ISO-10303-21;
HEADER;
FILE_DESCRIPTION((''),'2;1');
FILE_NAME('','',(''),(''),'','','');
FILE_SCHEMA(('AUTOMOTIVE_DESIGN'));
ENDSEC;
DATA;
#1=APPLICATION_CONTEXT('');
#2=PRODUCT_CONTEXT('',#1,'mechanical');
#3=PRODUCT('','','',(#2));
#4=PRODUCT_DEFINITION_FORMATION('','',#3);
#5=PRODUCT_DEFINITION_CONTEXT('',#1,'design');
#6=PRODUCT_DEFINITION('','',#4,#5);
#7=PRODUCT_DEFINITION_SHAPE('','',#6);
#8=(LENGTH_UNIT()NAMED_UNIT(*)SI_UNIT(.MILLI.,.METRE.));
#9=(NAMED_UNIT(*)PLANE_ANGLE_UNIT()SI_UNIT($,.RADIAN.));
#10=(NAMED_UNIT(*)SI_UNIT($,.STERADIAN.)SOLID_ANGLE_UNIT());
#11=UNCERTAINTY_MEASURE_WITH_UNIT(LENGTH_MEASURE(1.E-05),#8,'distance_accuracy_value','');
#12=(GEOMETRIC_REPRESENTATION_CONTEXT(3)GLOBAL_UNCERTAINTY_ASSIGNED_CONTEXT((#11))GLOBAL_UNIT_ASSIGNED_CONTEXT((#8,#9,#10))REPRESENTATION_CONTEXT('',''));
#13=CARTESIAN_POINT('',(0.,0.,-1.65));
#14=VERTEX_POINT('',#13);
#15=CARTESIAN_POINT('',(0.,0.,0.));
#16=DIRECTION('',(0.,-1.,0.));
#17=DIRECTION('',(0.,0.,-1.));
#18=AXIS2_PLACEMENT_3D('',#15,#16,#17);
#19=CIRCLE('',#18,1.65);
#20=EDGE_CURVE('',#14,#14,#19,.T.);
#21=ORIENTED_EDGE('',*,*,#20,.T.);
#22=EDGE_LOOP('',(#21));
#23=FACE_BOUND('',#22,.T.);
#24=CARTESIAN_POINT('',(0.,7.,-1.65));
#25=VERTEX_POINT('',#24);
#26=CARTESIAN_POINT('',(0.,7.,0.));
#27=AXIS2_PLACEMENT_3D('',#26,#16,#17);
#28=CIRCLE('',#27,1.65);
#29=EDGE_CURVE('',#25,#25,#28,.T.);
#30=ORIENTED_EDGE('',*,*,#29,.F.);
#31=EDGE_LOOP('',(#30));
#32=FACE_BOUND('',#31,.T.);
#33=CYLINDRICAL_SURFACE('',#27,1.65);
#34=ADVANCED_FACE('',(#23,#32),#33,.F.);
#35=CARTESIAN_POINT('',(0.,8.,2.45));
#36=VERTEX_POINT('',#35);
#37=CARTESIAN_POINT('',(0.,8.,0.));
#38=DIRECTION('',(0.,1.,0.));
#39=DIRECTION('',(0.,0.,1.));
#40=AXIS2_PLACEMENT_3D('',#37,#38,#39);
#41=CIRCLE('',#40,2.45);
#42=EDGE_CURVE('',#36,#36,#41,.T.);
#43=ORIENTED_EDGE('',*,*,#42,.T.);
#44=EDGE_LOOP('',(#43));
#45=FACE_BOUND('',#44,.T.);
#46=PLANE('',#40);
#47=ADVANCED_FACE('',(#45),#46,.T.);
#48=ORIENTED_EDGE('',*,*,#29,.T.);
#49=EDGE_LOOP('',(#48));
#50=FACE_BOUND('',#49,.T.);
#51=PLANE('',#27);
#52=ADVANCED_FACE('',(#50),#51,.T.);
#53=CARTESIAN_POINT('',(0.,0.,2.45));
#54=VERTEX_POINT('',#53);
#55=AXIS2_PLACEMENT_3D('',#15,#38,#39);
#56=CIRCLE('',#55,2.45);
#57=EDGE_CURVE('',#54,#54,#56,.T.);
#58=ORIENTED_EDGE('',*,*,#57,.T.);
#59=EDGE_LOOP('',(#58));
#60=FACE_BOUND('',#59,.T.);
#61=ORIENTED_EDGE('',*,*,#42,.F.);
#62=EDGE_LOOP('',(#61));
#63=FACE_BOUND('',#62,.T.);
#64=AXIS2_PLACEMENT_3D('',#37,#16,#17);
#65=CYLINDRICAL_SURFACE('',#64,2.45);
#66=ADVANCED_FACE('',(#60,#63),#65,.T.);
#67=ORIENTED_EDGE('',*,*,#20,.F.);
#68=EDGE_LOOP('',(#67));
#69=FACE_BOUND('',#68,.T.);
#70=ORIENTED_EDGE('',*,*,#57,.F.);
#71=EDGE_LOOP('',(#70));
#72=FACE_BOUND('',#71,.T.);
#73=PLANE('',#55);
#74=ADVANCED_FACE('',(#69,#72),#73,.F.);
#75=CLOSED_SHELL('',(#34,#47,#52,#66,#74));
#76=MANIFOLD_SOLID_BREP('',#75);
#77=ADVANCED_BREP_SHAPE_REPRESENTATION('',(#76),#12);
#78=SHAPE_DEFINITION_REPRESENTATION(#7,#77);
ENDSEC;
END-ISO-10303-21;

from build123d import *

# Parameters (mm, degrees)
SKETCH1_R           = 2.45
BOSS_EXTRUDE1_DEPTH = 8
SKETCH2_R           = 1.65
CUT_EXTRUDE1_DEPTH  = 7


with BuildPart() as part:
    # Sketch1 → Boss-Extrude1 (new body)
    with BuildSketch(Plane(origin=(0, 0, 0), x_dir=(1, 0, 0), z_dir=(0, 1, 0))):
        with Locations(Location((0, 0, 0), (0, 0, 270))):
            Circle(SKETCH1_R)
    extrude(amount=BOSS_EXTRUDE1_DEPTH)

    # Sketch2 → Cut-Extrude1 (cut)
    with BuildSketch(Plane.XZ):
        with Locations(Location((0, 0, 0), (0, 0, 270))):
            Circle(SKETCH2_R)
    extrude(amount=-CUT_EXTRUDE1_DEPTH, mode=Mode.SUBTRACT)


solid = part.part
